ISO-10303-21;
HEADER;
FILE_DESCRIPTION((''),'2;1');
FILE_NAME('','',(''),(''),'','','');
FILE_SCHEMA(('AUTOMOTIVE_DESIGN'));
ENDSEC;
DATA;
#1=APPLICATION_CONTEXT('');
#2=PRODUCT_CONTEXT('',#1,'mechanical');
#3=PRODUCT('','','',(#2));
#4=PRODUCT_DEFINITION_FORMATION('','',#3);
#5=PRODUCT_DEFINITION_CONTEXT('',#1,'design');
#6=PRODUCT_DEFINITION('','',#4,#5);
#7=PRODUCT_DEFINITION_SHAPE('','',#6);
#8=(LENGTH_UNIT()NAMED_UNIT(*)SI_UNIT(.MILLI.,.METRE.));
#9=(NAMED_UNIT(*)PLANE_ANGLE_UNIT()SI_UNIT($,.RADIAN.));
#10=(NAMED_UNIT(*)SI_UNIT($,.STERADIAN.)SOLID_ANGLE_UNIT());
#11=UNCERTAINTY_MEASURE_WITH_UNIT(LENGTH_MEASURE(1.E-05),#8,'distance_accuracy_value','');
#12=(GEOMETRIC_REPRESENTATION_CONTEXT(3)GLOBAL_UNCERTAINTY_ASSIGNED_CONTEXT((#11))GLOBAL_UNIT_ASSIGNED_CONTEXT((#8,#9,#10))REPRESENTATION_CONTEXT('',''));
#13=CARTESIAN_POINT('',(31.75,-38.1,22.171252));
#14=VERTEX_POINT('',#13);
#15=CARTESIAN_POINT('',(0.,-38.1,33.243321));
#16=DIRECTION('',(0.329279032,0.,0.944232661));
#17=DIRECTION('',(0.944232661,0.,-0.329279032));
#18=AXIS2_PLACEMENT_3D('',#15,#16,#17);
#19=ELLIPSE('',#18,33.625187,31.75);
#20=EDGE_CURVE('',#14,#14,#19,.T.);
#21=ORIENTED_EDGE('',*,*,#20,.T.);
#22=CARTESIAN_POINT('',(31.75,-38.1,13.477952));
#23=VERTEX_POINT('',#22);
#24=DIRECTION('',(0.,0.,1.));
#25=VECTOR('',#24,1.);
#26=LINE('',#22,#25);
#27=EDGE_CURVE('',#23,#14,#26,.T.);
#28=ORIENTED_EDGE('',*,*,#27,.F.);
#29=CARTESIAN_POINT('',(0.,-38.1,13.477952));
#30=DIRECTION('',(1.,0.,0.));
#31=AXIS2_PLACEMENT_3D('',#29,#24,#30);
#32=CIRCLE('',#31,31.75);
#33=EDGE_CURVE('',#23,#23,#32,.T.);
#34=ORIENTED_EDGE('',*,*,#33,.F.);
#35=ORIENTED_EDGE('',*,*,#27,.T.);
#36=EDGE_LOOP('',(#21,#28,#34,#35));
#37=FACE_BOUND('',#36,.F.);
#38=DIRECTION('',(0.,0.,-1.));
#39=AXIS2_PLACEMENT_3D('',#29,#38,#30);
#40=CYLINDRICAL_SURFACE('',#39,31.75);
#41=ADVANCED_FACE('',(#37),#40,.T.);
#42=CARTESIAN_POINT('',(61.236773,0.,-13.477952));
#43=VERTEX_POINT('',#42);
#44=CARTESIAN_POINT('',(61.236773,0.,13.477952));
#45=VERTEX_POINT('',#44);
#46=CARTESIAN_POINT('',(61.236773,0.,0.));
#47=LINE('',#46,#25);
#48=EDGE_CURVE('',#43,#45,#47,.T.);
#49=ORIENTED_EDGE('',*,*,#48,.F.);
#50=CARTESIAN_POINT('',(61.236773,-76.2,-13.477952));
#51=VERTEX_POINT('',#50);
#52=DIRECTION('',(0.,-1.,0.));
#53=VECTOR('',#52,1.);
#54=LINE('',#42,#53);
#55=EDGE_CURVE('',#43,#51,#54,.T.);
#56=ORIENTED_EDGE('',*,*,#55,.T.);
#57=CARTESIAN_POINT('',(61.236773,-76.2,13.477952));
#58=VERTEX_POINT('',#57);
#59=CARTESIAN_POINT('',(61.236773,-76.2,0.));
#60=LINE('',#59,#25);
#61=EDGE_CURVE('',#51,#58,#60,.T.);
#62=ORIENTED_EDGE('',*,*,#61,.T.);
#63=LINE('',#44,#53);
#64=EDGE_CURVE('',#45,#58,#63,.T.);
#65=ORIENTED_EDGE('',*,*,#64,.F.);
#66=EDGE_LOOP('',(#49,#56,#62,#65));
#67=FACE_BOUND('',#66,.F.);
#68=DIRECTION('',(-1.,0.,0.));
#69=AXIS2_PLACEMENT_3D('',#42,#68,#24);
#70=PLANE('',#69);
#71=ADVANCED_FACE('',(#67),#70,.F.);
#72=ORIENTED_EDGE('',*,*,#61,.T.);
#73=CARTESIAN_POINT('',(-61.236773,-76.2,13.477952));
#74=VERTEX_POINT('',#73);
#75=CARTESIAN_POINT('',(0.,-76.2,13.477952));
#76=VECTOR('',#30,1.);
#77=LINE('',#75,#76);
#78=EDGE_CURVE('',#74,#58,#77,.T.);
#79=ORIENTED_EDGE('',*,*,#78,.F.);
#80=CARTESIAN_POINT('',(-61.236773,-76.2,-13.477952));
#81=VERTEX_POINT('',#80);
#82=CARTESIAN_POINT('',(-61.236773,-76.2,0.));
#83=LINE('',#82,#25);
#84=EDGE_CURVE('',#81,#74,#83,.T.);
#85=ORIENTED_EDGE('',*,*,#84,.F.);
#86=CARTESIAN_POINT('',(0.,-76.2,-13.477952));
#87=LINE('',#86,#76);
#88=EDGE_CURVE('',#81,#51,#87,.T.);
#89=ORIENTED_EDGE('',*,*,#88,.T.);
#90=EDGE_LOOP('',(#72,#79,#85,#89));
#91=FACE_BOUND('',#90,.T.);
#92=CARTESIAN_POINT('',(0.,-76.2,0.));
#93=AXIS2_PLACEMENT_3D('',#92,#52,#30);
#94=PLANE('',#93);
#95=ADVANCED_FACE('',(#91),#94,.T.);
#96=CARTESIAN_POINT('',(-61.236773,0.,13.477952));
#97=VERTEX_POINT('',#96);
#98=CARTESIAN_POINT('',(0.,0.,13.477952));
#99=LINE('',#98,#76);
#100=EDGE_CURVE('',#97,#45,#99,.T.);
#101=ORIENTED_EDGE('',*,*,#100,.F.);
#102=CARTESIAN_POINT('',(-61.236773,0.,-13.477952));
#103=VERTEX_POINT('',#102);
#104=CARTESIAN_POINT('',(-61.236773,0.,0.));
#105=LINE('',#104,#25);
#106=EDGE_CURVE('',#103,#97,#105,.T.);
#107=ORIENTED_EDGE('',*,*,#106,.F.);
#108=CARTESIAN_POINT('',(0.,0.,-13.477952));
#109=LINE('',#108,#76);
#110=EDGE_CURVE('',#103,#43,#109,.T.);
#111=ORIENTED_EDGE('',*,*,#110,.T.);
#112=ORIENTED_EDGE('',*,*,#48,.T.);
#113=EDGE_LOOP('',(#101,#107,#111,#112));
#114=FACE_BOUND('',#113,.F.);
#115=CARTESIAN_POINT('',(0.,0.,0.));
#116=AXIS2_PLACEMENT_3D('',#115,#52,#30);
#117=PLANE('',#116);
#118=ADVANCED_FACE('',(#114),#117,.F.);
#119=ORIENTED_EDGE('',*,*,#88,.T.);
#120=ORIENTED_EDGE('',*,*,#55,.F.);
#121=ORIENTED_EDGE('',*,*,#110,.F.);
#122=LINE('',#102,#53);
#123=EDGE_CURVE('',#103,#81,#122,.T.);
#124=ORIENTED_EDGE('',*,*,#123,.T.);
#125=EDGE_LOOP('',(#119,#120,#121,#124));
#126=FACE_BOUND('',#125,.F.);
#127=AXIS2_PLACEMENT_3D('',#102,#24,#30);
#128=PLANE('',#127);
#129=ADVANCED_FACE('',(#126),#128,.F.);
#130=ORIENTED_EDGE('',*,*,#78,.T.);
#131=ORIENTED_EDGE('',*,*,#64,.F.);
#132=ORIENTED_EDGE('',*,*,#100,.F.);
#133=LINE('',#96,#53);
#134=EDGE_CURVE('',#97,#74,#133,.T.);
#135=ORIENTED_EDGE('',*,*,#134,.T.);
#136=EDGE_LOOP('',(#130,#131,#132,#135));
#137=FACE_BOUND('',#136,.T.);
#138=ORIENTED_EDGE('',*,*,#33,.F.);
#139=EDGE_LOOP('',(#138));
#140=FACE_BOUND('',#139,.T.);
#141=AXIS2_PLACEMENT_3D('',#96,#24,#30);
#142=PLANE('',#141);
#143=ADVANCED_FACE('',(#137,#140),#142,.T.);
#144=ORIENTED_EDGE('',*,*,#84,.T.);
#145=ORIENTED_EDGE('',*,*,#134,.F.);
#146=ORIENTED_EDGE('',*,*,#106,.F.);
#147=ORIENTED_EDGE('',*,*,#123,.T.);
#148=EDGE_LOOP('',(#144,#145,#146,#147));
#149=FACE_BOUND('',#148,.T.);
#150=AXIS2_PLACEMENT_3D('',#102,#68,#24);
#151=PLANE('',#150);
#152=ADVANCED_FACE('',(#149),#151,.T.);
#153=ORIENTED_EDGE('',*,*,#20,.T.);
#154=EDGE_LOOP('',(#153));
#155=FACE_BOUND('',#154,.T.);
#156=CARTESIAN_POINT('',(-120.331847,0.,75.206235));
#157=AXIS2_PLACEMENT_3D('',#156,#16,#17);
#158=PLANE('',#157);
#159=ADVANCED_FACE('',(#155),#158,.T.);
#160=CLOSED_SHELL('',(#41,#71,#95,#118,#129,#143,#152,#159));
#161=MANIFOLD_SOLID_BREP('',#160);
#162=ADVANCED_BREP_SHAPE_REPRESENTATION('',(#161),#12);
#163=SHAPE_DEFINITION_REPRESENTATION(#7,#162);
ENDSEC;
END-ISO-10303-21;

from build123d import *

# Parameters (mm, degrees)
F0_W     = 122.473546
F0_H     = 26.955904
F1_DEPTH = 76.2
F2_R     = 31.75
F3_DEPTH = 38.1
F5_DEPTH = 92.71


with BuildPart() as f1:
    # F0 (on Front) → F1 (new body)
    with BuildSketch(Plane.XZ):
        Rectangle(F0_W, F0_H)
    extrude(amount=F1_DEPTH)

    # F2 (on face) → F3 (join)
    with BuildSketch(Plane.XY.offset(13.477952)):
        with Locations((0, -38.1)):
            Circle(F2_R)
    extrude(amount=F3_DEPTH)

    # F4 (on Front) → F5 (cut)
    with BuildSketch(Plane.XZ):
        Polygon((38.983259, 69.250525), (-120.331847, 75.206235), (38.983259, 19.648822), align=None)
    extrude(amount=F5_DEPTH, mode=Mode.SUBTRACT)


solid = f1.part
